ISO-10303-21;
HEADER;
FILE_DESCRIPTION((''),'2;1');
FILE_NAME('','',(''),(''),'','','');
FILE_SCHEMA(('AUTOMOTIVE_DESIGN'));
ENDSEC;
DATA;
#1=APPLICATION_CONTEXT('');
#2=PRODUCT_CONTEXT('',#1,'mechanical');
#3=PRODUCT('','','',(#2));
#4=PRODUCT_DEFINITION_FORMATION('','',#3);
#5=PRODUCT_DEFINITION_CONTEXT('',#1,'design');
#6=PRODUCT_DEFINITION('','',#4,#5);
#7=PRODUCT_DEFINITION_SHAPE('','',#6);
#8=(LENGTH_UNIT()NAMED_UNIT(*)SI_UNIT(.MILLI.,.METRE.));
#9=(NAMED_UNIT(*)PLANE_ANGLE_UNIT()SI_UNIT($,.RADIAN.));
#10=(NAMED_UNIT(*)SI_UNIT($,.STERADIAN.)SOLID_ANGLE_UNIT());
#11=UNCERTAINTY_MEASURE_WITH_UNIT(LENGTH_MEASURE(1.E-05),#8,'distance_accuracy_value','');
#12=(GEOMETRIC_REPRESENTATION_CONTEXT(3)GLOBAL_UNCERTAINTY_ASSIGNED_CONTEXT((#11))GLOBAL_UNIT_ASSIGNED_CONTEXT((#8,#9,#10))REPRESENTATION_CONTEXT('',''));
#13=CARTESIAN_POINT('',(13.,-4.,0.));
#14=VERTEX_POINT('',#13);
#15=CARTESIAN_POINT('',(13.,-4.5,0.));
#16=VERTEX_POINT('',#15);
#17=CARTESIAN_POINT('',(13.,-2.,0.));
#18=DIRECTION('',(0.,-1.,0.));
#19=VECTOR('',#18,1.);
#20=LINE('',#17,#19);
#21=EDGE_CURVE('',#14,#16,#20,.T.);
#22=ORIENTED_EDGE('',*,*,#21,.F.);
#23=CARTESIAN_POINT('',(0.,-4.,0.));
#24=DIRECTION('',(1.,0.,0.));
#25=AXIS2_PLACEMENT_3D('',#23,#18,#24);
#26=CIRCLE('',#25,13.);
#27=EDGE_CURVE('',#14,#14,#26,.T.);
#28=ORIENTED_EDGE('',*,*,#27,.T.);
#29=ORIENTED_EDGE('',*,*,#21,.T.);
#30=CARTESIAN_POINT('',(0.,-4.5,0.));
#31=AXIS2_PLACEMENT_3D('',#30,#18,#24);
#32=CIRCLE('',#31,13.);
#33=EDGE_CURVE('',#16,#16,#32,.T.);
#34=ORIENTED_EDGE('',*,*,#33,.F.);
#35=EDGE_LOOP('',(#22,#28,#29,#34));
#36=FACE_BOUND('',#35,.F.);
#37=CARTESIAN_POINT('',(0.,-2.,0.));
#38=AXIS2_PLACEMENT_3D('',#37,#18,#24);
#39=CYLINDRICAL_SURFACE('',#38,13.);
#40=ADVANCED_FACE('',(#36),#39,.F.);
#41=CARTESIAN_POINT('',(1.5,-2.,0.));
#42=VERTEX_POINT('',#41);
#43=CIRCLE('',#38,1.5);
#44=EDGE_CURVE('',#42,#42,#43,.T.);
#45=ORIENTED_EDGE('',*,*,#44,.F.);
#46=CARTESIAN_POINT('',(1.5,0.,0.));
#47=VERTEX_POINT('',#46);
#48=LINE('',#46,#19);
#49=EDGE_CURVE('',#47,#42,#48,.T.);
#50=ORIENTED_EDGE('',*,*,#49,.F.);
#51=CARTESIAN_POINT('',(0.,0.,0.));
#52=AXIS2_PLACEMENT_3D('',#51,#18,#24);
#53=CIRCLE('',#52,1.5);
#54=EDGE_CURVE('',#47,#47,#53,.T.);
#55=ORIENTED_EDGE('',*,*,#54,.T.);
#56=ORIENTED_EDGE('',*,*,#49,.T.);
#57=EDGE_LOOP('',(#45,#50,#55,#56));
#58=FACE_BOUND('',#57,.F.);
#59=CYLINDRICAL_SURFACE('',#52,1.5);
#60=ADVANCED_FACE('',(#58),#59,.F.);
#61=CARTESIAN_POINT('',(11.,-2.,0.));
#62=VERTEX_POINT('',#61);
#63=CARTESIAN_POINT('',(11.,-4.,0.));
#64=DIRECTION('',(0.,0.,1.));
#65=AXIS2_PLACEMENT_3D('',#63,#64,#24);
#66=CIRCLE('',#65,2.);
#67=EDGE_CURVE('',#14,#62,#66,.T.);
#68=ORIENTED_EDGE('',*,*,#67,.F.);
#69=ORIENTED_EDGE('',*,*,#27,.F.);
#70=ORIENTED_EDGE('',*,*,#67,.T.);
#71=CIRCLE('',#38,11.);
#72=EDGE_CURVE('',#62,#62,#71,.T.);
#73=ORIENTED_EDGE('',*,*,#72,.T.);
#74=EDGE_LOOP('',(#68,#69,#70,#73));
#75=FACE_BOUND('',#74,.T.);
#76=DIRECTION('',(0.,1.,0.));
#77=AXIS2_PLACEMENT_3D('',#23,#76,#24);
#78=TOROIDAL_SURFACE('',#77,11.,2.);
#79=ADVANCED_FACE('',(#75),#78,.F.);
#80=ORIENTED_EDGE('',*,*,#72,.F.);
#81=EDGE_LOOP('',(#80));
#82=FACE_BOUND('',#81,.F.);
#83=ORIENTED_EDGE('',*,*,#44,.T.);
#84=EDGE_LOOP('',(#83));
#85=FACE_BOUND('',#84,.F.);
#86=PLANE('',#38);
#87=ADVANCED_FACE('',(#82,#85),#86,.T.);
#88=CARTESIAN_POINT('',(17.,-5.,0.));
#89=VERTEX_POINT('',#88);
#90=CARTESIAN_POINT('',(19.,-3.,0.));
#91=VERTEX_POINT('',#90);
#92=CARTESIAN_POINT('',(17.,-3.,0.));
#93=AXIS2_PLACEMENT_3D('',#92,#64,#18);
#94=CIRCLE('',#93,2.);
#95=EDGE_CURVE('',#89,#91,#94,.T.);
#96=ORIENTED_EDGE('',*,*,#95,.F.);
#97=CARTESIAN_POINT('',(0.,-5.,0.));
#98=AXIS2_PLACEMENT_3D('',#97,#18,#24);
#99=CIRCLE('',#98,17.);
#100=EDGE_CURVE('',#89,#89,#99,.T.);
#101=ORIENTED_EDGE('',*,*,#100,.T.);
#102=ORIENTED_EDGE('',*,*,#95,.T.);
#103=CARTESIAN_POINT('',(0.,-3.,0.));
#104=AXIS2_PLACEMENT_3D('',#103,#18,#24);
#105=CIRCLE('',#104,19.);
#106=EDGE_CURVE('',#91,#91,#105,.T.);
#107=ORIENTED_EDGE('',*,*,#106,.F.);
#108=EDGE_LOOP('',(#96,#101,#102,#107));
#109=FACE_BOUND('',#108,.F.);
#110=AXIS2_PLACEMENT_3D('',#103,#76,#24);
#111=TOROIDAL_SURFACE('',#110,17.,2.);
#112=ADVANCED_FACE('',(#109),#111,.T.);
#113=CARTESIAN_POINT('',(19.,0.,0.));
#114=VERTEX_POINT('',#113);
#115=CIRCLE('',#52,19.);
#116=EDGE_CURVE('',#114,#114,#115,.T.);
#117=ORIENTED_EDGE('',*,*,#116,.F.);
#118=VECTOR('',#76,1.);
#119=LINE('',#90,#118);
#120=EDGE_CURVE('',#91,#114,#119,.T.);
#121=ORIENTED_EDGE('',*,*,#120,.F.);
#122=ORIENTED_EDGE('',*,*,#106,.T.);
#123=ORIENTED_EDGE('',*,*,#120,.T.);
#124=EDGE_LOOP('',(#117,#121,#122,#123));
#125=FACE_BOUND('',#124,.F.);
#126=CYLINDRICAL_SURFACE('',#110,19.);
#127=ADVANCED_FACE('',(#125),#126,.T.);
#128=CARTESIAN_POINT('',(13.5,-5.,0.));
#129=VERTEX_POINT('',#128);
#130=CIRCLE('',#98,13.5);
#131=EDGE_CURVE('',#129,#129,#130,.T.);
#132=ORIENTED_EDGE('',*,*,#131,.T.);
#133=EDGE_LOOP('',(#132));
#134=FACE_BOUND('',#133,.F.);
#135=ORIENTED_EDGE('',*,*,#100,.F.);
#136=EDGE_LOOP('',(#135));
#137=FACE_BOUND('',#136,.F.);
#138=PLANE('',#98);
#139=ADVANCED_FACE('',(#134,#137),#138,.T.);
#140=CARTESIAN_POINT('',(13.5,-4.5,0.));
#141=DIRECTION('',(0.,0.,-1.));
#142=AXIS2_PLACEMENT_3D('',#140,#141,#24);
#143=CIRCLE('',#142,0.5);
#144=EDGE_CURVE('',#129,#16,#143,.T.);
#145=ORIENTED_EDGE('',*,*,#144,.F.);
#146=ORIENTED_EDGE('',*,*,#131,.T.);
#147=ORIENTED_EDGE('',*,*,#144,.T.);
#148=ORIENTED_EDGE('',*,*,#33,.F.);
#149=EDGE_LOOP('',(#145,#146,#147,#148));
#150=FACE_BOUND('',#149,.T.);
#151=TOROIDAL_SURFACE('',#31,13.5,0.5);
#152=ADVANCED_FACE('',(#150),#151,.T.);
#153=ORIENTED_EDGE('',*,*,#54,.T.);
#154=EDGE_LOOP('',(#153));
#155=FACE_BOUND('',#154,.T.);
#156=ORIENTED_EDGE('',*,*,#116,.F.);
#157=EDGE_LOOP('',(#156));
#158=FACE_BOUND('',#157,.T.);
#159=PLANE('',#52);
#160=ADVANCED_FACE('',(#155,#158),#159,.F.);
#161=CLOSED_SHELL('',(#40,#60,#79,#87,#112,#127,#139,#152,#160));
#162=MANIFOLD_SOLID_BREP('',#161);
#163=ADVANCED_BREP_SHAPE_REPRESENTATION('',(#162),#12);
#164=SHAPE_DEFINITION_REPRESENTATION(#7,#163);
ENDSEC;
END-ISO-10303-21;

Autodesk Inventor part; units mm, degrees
ref_plane "YZ Plane" through (0, 0, 0) normal (1, 0, 0) x (0, 1, 0)
ref_plane "XZ Plane" through (0, 0, 0) normal (0, 1, 0) x (-1, 0, 0)
ref_plane "XY Plane" through (0, 0, 0) normal (0, 0, 1) x (1, 0, 0)
sketch "Sketch1" plane through (0, 0, 0) normal (0, 0, 1) x (1, 0, 0)
  line L0 (0, 0) -> (19, 0)
  line L1 (0, 0) -> (0, -2)
  line L2 (0, -2) -> (13, -2)
  line L3 (13, -2) -> (13, -5)
  line L4 (13, -5) -> (17, -5)
  line L5 (19, -3) -> (19, 0)
  line L6 (1.5, 0) -> (1.5, -2)
  arc A0 (17, -5) -> (19, -3) centre (17, -3) ccw
  point P0 (19, -5)
  dimension "d5" = 19
  dimension "d12" = 2
  dimension "d16" = 5
  dimension "d17" = 1.5
  dimension "d23" = 2
  dimension "d24" = 90
  dimension "d25" = 4
revolve "Revolution1" add sketch "Sketch1" angle 360 about axis through (0, 0, 0) along (0, -1, 0) contours L0 L5 A0 L4 L3 L2 L6
fillet "Fillet2" radius 0.5 1 edges at (-13, -5, 0)
fillet "Fillet3" radius 2 1 edges at (-13, -2, 0)
properties part number "Seal_M_TPU"
